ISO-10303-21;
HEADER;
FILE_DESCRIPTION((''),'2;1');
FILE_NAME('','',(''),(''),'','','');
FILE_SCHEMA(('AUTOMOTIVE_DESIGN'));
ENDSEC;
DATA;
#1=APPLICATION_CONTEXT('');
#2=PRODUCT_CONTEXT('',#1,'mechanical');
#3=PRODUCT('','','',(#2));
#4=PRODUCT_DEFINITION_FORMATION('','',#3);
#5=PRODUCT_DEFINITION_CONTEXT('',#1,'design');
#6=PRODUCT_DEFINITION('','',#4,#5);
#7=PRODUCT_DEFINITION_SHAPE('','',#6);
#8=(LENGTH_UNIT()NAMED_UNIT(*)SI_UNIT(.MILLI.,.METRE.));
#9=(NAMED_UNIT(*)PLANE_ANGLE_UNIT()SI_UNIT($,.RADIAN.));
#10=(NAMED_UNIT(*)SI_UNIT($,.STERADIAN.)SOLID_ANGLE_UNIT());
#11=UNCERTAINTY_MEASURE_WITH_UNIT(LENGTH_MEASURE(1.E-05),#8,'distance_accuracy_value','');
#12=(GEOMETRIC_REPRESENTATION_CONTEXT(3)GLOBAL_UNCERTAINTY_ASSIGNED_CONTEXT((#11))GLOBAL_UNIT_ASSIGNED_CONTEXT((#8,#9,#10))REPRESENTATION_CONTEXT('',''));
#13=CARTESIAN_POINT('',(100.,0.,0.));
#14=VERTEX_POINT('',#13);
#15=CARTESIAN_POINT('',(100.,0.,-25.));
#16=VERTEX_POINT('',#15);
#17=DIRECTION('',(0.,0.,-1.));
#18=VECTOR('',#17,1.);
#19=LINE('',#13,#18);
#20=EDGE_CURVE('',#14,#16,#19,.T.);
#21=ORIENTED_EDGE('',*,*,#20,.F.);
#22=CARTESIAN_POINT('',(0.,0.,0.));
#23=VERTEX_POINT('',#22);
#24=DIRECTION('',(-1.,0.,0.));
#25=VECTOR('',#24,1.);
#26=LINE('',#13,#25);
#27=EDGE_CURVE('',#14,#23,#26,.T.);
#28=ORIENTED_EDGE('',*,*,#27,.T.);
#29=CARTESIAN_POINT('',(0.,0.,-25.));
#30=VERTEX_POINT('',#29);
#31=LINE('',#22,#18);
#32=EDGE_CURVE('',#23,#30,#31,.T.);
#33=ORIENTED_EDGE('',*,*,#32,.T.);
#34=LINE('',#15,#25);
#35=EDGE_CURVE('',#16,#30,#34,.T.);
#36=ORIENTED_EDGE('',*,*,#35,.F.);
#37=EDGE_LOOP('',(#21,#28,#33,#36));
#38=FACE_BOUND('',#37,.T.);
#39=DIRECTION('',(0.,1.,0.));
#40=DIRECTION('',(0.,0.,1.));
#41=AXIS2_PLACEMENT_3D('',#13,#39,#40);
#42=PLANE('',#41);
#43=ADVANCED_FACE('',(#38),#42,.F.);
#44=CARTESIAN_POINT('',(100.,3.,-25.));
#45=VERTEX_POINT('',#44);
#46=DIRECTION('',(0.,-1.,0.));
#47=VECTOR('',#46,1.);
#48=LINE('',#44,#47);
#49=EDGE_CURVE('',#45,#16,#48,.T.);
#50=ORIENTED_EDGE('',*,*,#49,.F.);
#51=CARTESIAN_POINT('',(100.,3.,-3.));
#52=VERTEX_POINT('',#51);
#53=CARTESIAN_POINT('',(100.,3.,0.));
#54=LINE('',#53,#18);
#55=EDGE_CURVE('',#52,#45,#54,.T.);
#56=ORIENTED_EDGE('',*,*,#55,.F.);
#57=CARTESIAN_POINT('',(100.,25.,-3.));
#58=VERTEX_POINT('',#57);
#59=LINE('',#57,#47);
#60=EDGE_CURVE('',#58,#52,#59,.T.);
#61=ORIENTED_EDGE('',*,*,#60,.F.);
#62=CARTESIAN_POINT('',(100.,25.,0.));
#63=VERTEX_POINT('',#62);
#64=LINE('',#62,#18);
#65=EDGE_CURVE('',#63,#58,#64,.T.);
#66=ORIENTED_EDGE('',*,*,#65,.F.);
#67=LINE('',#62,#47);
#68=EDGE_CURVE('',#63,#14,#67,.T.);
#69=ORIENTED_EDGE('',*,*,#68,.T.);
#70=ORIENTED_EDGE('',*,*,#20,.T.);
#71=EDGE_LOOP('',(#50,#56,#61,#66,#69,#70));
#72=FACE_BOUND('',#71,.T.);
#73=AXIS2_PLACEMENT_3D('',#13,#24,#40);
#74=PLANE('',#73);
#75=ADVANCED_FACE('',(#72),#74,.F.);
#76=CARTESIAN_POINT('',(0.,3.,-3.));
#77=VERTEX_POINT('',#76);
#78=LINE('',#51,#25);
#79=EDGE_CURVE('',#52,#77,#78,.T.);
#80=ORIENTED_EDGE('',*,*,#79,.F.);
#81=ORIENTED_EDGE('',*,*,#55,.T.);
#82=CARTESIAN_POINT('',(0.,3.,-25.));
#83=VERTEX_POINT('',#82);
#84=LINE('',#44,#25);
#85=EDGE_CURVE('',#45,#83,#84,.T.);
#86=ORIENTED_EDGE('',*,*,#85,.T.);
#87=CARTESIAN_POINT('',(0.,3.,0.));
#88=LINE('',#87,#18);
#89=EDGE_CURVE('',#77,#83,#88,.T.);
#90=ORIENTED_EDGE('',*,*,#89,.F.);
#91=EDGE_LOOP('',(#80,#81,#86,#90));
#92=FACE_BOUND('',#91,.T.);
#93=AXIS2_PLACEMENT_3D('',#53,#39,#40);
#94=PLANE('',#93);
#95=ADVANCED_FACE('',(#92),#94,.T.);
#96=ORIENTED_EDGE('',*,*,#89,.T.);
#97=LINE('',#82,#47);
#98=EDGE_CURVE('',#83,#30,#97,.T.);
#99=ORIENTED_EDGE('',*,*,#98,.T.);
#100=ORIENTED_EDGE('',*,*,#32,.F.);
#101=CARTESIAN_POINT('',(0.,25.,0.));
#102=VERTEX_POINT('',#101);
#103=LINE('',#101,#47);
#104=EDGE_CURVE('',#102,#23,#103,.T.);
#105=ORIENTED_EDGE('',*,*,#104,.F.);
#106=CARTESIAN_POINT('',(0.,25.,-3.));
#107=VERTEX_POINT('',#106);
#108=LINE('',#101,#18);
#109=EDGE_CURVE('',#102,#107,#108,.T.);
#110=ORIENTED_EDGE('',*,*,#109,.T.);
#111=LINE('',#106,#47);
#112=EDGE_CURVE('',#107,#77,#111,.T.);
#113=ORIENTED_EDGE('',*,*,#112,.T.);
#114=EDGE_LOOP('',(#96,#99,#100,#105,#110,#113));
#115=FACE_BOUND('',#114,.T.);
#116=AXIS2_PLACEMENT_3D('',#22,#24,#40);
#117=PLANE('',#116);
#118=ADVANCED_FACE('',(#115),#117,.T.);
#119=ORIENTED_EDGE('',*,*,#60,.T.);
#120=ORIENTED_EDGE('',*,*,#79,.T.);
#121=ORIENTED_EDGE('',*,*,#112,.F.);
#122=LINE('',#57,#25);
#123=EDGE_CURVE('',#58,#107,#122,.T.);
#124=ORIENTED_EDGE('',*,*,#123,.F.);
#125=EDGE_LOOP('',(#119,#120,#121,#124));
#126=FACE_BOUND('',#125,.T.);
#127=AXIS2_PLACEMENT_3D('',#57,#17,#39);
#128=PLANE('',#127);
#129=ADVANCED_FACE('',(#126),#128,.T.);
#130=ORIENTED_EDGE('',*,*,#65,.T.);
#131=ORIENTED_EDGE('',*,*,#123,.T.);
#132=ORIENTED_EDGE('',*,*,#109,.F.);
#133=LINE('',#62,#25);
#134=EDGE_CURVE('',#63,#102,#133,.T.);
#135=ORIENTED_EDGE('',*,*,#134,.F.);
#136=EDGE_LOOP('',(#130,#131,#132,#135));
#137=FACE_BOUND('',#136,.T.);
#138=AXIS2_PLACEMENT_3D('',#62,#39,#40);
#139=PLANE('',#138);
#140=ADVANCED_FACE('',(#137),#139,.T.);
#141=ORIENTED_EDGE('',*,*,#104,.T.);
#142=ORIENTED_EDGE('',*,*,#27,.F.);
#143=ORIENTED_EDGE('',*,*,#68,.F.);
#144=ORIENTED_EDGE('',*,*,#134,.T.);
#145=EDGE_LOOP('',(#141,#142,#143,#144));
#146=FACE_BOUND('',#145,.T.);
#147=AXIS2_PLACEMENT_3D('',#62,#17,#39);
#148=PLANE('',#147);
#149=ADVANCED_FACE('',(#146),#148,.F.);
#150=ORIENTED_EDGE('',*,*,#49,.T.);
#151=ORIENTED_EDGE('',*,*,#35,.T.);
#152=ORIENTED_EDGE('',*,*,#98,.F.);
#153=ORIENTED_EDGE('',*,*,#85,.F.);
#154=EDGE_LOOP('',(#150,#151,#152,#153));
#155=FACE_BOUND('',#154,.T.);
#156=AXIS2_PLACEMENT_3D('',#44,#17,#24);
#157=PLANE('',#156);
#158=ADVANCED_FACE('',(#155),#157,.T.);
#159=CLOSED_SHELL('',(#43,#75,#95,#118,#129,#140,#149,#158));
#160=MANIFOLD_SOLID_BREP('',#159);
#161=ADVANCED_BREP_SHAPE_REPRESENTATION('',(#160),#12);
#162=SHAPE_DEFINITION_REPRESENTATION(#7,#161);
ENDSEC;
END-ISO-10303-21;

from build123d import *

# Parameters (mm, degrees)
EXTRUDE_1_DEPTH = 100


with BuildPart() as part:
    # Эскиз1 → Вытянуть-Тонкостенный1 (new body)
    with BuildSketch(Plane(origin=(0, 0, 0), x_dir=(0, 0, -1), z_dir=(1, 0, 0))):
        Polygon((0, 25), (0, 0), (25, 0), (25, 3), (3, 3), (3, 25), align=None)
    extrude(amount=EXTRUDE_1_DEPTH)


solid = part.part
